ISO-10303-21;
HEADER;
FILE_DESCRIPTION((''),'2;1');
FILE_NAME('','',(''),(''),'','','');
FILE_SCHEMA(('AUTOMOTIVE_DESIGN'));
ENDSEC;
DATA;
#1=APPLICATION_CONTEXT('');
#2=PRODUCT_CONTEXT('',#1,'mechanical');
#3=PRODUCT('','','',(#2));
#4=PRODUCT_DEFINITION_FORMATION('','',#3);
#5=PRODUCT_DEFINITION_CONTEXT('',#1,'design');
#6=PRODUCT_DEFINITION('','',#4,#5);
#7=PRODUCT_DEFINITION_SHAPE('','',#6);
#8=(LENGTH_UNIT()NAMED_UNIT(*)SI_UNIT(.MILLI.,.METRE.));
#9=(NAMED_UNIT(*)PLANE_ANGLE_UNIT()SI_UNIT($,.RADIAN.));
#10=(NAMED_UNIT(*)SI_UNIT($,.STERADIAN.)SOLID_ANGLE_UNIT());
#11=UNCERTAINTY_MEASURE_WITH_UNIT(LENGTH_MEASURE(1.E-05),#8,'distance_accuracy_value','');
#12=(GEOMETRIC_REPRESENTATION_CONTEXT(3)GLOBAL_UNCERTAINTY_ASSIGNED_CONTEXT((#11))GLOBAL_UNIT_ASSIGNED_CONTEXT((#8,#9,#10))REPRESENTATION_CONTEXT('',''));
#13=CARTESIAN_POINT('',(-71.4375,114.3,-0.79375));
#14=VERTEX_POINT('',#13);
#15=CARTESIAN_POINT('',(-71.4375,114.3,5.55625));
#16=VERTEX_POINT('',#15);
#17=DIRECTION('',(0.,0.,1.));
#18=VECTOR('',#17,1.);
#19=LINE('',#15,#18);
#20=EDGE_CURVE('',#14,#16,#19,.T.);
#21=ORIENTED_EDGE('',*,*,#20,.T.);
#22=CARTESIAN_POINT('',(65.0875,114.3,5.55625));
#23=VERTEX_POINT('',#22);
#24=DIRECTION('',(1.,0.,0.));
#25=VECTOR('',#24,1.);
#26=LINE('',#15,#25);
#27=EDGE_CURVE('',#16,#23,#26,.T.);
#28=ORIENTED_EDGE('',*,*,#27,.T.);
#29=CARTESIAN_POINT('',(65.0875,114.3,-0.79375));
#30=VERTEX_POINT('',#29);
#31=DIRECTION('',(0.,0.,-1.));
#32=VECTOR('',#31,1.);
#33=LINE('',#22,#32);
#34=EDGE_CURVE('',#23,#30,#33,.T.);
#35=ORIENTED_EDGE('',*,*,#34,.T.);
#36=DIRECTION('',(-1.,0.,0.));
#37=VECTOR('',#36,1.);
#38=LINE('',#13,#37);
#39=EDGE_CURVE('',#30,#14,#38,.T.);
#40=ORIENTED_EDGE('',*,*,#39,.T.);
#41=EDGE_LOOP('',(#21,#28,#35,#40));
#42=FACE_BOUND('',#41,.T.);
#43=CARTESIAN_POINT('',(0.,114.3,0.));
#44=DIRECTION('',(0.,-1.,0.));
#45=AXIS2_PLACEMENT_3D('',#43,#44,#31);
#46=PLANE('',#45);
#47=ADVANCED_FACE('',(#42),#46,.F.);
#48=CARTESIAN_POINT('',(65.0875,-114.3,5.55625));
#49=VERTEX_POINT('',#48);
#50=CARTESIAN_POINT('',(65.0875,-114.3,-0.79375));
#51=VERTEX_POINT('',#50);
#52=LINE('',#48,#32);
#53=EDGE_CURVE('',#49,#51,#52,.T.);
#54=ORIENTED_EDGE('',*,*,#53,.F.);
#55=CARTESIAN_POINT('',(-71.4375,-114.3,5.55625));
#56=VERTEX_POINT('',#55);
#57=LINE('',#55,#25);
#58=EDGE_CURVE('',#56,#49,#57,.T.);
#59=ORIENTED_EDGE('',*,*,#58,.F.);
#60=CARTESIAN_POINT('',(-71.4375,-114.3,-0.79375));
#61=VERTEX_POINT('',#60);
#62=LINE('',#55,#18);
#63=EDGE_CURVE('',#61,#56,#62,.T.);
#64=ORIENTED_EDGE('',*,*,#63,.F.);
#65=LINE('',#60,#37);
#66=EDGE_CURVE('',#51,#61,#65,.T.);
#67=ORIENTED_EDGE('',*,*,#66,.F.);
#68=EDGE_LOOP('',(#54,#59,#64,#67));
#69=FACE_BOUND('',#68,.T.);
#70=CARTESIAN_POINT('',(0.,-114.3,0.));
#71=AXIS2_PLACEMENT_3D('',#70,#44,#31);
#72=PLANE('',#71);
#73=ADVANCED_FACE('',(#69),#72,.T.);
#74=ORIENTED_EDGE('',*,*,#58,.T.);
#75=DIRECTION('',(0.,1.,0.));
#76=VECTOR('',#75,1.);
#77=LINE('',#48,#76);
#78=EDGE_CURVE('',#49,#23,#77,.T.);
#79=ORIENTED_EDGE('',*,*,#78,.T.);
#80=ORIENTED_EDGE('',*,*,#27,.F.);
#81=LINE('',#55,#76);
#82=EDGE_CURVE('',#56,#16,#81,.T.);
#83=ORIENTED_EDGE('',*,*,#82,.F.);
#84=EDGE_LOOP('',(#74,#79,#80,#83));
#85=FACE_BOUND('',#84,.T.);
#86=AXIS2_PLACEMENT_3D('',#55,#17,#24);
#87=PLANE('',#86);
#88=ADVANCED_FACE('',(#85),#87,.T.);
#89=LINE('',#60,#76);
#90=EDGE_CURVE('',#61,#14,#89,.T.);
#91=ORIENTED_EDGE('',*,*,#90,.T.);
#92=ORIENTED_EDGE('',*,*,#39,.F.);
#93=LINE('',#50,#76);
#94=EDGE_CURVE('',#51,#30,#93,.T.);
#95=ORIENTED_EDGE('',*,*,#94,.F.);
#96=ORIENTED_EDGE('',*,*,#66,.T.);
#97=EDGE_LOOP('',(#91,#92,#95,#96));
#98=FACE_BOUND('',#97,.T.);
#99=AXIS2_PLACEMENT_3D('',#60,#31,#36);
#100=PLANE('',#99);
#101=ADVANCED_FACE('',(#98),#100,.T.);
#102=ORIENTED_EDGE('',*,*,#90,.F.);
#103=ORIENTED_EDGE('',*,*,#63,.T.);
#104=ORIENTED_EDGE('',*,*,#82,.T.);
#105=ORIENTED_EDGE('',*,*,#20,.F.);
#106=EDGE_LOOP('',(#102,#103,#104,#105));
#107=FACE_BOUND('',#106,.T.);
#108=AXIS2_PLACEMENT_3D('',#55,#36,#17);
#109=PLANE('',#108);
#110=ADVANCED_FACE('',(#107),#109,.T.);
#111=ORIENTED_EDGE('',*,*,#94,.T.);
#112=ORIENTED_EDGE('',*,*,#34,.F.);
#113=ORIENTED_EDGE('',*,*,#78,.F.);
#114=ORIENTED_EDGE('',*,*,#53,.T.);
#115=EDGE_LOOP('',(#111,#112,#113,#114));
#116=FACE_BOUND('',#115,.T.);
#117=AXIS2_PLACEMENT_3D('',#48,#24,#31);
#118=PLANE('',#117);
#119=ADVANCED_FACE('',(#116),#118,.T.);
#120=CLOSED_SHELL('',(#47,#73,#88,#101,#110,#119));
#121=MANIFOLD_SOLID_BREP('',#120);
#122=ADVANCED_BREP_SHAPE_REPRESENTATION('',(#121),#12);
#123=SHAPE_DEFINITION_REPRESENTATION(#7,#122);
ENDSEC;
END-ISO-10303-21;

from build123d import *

# Parameters (mm, degrees)
BOSS_EXTRUDE1_DEPTH      = 114.3
BOSS_EXTRUDE1_DEPTH_BACK = 114.3
SKETCH1_W                = 136.525
SKETCH1_H                = 6.35


with BuildPart() as part:
    # Sketch1 → Boss-Extrude1 (new, two sides: drawn at the far end of the back side and taken through both)
    with BuildSketch(Plane(origin=(0, 0, 0), x_dir=(1, 0, 0), z_dir=(0, 1, 0)).offset(-BOSS_EXTRUDE1_DEPTH_BACK)):
        with Locations((-3.175, -2.38125)):
            Rectangle(SKETCH1_W, SKETCH1_H)
    extrude(amount=BOSS_EXTRUDE1_DEPTH + BOSS_EXTRUDE1_DEPTH_BACK)


solid = part.part
